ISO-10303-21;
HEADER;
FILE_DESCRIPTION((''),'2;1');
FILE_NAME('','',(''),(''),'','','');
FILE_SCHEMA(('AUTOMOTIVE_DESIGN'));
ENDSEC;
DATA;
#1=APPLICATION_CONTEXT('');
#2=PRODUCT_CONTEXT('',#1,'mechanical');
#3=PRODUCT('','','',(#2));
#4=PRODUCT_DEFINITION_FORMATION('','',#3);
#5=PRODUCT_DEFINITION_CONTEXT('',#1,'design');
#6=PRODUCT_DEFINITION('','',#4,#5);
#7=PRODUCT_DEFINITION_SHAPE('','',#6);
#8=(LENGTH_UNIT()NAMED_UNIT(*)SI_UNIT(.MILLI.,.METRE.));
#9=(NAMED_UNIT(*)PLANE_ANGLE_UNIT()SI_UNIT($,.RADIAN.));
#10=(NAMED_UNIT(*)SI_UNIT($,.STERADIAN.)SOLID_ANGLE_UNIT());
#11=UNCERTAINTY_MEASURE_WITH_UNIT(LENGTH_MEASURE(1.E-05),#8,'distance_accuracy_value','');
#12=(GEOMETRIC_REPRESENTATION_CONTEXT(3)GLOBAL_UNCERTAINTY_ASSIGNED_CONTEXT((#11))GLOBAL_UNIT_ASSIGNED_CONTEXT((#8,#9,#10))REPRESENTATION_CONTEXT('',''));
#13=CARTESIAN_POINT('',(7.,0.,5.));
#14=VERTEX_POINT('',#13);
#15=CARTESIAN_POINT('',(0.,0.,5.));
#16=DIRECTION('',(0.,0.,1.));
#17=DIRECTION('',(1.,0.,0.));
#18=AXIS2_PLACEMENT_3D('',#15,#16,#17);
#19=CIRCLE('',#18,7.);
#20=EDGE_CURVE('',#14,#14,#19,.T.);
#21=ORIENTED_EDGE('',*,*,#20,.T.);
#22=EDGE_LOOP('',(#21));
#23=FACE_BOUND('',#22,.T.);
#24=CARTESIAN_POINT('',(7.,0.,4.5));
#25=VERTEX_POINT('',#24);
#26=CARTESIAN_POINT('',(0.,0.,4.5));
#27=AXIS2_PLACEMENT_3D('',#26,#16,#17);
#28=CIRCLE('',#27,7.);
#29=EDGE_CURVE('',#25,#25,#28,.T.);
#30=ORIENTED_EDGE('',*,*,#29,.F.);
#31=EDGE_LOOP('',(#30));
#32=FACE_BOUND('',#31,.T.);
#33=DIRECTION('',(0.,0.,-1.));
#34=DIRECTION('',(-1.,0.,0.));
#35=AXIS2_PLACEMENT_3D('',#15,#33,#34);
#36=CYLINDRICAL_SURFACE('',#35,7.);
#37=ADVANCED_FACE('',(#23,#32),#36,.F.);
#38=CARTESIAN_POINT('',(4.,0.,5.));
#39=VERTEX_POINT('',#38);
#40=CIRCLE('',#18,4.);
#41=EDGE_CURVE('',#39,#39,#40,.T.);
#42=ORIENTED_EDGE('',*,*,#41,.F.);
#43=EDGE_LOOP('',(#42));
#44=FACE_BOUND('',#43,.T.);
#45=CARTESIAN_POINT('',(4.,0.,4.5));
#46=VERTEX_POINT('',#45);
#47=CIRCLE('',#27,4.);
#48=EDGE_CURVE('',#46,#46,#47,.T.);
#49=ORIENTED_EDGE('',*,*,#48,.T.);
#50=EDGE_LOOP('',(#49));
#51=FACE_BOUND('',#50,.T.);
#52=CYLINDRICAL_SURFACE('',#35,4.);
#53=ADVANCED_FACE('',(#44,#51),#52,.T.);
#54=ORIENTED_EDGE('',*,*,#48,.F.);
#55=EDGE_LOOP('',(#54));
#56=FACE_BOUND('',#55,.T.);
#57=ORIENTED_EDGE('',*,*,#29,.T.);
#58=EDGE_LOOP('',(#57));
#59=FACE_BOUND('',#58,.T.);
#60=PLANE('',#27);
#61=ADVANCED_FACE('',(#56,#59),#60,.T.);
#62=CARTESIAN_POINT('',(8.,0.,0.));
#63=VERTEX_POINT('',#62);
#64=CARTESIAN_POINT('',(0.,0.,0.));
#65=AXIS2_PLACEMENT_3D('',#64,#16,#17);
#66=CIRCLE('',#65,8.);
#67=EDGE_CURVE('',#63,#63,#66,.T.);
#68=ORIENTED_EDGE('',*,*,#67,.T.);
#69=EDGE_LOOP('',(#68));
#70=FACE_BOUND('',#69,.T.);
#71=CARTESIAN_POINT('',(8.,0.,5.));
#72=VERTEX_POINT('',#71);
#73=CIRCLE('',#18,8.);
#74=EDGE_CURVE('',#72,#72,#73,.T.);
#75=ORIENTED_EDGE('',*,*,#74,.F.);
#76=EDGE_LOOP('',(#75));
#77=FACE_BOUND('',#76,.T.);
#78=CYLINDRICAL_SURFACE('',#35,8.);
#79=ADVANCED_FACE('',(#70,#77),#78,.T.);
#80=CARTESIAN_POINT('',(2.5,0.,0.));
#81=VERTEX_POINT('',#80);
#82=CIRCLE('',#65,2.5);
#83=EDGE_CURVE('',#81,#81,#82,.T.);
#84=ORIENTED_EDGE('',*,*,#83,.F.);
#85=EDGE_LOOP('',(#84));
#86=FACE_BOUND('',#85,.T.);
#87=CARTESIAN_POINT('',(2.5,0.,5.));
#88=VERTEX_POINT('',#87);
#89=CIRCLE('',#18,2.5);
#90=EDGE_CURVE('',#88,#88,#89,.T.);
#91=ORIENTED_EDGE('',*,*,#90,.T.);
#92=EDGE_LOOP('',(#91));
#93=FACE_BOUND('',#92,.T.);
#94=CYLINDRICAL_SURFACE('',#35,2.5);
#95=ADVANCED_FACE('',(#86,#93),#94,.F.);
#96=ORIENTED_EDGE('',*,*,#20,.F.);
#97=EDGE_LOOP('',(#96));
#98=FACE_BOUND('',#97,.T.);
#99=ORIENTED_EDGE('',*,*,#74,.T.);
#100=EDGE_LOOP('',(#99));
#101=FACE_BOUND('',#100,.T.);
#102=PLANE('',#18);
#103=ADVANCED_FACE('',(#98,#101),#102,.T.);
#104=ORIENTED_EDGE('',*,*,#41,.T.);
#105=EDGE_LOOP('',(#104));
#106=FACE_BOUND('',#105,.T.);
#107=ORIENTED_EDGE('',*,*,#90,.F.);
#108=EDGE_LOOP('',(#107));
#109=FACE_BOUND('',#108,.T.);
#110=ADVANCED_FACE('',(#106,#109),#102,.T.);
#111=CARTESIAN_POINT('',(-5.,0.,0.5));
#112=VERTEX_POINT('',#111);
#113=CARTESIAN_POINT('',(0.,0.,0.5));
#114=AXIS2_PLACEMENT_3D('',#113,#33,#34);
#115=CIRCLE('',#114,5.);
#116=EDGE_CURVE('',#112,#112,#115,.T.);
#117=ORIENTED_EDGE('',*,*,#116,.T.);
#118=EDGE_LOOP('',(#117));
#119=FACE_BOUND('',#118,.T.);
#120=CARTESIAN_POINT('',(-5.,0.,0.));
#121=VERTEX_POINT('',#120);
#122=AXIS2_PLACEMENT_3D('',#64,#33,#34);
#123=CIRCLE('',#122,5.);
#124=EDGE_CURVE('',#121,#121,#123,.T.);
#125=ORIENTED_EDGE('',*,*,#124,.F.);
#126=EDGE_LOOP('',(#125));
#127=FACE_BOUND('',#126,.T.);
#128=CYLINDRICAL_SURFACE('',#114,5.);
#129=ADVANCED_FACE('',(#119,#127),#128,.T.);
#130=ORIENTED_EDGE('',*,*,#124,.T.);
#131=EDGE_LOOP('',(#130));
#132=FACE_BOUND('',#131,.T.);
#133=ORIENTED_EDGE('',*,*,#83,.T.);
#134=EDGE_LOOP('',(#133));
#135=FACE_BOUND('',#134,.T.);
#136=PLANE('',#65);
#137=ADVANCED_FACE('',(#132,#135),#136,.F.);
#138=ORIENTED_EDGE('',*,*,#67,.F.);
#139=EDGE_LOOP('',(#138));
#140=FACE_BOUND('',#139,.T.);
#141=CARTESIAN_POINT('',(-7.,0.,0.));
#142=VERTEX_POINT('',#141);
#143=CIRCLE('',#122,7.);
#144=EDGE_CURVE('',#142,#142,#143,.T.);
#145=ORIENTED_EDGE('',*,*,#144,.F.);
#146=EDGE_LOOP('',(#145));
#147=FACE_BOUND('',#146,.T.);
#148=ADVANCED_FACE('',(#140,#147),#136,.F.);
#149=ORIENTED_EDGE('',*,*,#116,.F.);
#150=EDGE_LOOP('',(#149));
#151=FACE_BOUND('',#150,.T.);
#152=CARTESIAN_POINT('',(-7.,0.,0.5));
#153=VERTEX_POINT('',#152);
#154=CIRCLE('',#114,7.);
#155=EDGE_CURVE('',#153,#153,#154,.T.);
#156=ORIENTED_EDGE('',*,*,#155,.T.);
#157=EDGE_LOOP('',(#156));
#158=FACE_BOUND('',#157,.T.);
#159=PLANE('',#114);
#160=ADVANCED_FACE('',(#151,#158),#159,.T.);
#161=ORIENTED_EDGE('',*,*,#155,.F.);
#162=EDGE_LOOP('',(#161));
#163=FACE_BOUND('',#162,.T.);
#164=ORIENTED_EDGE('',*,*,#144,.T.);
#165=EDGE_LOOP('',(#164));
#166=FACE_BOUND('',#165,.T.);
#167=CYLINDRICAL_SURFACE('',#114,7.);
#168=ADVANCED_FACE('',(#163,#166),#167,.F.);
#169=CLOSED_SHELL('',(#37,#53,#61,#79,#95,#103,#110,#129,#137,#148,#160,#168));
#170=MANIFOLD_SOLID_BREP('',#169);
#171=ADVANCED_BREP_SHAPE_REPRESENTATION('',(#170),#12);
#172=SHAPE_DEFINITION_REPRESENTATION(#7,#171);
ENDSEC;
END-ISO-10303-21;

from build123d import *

# Parameters (mm, degrees)
ESQUISSE1_R             = 8
ESQUISSE1_R_2           = 7
BOSS_EXTRU_1_DEPTH      = 5
ESQUISSE1_3_R           = 7
ESQUISSE1_3_R_2         = 4
BOSS_EXTRU_2_DEPTH      = 4.5
ESQUISSE1_4_R           = 4
ESQUISSE1_4_R_2         = 2.5
BOSS_EXTRU_3_DEPTH      = 5
ESQUISSE2_R             = 7
ESQUISSE2_R_2           = 5
ENL_V_MAT_EXTRU_2_DEPTH = 0.5


with BuildPart() as part:
    # Esquisse1 → Boss.-Extru.1 (new body)
    with BuildSketch(Plane.XY):
        Circle(ESQUISSE1_R)
        Circle(ESQUISSE1_R_2, mode=Mode.SUBTRACT)
    extrude(amount=BOSS_EXTRU_1_DEPTH)

    # Esquisse1<3> → Boss.-Extru.2 (add)
    with BuildSketch(Plane.XY):
        Circle(ESQUISSE1_3_R)
        Circle(ESQUISSE1_3_R_2, mode=Mode.SUBTRACT)
    extrude(amount=BOSS_EXTRU_2_DEPTH)

    # Esquisse1<4> → Boss.-Extru.3 (add)
    with BuildSketch(Plane.XY):
        Circle(ESQUISSE1_4_R)
        Circle(ESQUISSE1_4_R_2, mode=Mode.SUBTRACT)
    extrude(amount=BOSS_EXTRU_3_DEPTH)

    # Esquisse2 → Enlèv. mat.-Extru.2 (cut)
    with BuildSketch(Plane(origin=(0, 0, 0), x_dir=(-1, 0, 0), z_dir=(0, 0, -1))):
        Circle(ESQUISSE2_R)
        Circle(ESQUISSE2_R_2, mode=Mode.SUBTRACT)
    extrude(amount=-ENL_V_MAT_EXTRU_2_DEPTH, mode=Mode.SUBTRACT)


solid = part.part
